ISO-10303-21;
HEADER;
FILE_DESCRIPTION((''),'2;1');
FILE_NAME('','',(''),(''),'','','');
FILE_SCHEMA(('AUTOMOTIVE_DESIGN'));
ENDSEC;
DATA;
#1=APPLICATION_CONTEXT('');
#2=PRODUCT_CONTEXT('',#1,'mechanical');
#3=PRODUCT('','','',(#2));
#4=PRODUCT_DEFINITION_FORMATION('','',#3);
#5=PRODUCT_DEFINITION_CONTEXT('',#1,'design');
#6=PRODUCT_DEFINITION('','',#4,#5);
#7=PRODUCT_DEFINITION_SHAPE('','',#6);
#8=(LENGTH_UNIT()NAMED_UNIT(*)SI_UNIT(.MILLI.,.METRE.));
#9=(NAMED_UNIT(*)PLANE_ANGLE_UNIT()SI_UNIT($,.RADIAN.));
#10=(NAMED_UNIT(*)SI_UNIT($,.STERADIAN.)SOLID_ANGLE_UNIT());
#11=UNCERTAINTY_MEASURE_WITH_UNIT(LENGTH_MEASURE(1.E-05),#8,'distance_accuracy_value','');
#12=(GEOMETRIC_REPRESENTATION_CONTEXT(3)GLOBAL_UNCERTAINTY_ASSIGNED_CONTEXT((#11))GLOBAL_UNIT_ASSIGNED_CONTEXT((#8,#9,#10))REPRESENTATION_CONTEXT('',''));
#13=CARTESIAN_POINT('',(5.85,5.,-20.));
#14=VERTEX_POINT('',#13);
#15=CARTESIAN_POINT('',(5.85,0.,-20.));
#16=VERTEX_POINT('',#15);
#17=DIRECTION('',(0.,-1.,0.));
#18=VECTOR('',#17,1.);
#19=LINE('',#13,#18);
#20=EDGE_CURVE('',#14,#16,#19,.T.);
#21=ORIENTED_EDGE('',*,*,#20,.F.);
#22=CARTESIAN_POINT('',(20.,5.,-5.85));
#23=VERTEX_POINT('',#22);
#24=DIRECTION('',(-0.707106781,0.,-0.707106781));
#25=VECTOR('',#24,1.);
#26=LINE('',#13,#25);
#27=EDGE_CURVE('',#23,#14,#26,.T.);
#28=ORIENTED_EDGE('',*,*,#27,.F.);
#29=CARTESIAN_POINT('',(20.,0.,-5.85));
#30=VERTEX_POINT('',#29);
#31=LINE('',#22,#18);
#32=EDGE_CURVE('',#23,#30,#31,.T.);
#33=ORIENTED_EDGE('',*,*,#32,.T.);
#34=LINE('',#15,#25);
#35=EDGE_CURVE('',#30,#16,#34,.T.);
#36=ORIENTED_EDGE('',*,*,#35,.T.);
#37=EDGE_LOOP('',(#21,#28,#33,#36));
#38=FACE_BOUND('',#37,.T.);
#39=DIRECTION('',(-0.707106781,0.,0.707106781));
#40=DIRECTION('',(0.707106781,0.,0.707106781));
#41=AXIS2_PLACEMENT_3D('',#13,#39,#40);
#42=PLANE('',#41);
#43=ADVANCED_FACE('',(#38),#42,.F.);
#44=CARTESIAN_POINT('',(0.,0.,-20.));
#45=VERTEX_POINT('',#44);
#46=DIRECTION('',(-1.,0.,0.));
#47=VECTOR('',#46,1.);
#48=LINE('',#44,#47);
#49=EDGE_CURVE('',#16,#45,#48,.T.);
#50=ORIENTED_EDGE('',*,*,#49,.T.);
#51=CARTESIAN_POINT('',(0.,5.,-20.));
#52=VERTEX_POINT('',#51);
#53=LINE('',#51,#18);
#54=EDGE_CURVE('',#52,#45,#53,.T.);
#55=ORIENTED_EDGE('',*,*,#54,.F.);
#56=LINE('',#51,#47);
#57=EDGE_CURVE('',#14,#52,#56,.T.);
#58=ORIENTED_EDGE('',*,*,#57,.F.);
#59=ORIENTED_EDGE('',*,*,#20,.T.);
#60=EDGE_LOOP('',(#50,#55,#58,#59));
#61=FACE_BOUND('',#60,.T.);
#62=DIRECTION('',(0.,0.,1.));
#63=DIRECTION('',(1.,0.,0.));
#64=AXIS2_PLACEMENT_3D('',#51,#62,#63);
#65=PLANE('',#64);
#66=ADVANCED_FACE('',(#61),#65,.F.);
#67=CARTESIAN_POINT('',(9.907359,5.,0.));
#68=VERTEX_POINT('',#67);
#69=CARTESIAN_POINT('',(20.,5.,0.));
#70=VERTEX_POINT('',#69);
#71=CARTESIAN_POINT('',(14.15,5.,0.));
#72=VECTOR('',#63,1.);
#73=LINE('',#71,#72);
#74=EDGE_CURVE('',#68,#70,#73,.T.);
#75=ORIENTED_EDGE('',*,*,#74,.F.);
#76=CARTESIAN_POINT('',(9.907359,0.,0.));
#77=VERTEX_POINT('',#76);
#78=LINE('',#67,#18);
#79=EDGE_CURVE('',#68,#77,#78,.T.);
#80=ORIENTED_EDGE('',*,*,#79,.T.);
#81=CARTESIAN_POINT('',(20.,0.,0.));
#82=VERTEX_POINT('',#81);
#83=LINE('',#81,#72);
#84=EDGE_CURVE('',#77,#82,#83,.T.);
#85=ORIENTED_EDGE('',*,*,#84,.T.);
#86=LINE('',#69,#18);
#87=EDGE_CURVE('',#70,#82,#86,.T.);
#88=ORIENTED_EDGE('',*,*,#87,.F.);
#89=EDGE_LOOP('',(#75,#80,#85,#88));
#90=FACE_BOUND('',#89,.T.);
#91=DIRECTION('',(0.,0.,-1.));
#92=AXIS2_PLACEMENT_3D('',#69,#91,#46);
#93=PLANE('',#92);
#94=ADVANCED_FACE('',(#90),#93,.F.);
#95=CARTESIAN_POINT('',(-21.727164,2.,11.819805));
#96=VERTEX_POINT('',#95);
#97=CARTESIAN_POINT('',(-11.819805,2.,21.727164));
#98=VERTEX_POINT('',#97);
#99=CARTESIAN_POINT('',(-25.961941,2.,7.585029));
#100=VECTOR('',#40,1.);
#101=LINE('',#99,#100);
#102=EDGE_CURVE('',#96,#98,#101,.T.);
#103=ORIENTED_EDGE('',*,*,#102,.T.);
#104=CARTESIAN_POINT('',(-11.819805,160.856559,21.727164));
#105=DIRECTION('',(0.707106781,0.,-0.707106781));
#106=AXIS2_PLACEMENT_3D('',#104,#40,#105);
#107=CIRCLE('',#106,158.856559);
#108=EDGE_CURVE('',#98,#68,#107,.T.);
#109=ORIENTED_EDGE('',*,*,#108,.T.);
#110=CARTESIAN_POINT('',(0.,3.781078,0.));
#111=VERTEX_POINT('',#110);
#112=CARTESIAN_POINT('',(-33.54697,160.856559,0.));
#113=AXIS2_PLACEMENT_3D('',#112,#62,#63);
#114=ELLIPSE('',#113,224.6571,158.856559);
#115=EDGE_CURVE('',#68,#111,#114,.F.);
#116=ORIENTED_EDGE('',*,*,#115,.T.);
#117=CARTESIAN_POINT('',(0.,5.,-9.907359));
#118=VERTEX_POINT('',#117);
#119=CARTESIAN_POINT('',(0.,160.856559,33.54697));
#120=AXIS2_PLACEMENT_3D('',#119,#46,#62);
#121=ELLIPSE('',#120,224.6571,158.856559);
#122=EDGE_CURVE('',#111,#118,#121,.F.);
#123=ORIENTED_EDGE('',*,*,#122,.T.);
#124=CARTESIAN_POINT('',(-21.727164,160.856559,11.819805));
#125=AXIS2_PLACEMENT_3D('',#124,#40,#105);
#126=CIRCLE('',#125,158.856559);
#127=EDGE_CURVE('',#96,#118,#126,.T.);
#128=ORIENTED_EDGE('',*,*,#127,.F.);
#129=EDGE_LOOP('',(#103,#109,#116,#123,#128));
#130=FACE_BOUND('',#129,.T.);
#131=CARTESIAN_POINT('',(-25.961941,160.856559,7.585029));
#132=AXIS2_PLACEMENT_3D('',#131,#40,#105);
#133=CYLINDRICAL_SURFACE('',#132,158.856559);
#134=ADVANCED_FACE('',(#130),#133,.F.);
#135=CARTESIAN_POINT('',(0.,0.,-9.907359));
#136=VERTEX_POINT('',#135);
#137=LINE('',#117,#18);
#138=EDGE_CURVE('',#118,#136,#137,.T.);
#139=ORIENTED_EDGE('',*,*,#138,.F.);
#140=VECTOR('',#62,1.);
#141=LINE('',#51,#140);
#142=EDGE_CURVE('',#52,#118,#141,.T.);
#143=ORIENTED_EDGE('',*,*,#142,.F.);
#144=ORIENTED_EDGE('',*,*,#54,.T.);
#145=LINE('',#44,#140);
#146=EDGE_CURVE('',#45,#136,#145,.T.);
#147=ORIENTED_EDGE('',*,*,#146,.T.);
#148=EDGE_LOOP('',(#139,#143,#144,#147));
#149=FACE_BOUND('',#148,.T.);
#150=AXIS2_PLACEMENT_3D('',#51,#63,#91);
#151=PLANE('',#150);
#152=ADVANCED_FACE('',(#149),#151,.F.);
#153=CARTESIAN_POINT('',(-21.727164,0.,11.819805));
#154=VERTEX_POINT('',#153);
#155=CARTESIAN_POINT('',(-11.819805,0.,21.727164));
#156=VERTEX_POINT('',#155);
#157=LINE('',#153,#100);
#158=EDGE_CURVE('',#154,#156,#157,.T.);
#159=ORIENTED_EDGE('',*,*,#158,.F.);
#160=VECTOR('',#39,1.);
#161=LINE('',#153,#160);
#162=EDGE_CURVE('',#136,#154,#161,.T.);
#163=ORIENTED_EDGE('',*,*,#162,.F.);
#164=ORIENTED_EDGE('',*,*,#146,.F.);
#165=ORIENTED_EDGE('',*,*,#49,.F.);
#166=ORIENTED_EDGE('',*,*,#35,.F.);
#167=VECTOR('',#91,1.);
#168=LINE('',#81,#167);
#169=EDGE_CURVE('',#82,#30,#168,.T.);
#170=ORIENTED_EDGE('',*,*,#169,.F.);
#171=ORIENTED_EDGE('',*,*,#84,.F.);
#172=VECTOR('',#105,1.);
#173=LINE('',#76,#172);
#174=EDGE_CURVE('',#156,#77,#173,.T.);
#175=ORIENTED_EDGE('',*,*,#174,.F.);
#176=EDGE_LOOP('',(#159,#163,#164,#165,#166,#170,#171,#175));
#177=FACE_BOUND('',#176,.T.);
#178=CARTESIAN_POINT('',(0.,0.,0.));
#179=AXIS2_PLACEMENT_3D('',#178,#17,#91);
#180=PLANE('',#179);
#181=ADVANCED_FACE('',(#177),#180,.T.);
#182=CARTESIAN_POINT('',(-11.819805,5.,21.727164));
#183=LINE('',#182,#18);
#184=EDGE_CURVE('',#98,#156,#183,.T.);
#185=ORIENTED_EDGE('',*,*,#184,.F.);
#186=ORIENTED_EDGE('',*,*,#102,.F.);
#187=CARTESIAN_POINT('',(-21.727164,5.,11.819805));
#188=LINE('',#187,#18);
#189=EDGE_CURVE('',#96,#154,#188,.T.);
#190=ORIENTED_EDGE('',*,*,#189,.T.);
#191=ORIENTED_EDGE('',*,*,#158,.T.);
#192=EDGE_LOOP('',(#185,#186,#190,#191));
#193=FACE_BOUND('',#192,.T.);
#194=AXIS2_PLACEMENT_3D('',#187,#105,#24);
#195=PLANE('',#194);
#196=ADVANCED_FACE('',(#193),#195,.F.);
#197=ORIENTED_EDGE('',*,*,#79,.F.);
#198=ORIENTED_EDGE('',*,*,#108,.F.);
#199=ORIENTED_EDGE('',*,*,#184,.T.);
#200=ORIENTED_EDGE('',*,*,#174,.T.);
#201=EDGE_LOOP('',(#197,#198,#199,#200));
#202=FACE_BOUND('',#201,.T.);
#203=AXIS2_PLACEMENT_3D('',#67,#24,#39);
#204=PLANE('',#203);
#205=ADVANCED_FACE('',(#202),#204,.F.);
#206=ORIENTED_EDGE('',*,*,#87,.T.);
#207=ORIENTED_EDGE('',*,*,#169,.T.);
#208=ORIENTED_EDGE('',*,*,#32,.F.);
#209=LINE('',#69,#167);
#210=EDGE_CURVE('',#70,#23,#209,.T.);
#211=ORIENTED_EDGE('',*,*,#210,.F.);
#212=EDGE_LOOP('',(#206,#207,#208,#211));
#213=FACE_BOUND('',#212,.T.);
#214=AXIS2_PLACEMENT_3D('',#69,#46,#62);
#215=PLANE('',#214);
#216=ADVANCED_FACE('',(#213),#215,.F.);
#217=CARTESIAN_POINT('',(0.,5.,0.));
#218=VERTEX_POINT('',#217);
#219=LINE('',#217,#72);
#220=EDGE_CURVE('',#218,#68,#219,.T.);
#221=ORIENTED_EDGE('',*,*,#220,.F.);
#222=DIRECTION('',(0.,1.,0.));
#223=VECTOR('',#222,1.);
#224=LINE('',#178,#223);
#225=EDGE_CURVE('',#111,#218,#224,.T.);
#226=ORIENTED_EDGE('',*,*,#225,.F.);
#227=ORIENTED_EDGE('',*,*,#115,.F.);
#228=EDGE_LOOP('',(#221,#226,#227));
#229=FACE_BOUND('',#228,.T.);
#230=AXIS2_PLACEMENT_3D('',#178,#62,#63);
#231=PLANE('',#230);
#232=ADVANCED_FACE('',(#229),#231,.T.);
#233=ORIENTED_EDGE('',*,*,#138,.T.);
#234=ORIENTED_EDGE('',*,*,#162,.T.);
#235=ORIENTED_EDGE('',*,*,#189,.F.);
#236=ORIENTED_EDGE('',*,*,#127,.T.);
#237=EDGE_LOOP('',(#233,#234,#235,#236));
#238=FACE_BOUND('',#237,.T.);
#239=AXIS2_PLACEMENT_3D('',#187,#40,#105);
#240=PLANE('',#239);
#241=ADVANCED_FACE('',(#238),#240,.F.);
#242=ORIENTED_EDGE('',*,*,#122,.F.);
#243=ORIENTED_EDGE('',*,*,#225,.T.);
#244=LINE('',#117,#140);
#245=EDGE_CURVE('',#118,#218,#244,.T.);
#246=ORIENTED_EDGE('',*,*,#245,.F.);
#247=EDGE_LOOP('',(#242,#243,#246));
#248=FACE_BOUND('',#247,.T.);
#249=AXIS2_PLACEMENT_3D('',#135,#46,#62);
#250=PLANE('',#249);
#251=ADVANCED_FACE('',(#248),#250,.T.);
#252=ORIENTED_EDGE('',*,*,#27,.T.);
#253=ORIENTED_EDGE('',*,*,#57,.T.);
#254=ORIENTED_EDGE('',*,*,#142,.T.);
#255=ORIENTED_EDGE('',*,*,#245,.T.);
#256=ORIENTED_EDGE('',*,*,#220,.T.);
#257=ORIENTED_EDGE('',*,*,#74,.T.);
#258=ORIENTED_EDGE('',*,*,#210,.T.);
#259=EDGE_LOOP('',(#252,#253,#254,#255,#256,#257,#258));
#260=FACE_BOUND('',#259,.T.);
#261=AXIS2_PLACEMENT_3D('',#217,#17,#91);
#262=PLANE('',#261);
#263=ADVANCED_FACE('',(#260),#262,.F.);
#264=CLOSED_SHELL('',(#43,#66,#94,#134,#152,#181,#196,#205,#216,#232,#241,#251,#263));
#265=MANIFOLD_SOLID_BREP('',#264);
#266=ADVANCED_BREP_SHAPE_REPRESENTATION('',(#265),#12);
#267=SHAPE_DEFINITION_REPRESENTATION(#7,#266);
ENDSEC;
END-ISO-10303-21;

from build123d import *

# Parameters (mm, degrees)
EXTRUDE_1_DEPTH     = 5
CUT_EXTRUDE_1_DEPTH = 20
EXTRUDE_2_DEPTH     = 5


with BuildPart() as part:
    # 草图1 → 凸台-拉伸1 (new body)
    with BuildSketch(Plane(origin=(0, 0, 0), x_dir=(1, 0, 0), z_dir=(0, 1, 0))):
        Polygon((0, 20), (5.85, 20), (20, 5.85), (20, 0), (14.15, 0), (9.907359313, 0), (-11.819805153, -21.727164466), (-21.727164466, -11.819805153), (0, 9.907359313), align=None)
    extrude(amount=EXTRUDE_1_DEPTH)

    # 草图2 → 切除-拉伸1 (cut)
    with BuildSketch(Plane(origin=(4.953679656, 0, 4.953679656), x_dir=(0.7071067811865477, 0, -0.7071067811865475), z_dir=(0.7071067811865475, 0, 0.7071067811865477))):
        with BuildLine():
            Line((-23.721289706, 2), (-23.721289706, 5))
            Line((-23.721289706, 5), (7.005560954, 5))
            ThreePointArc((7.005560954, 5), (-8.284812198, 2.751778874), (-23.721289706, 2))
        make_face()
    extrude(amount=-CUT_EXTRUDE_1_DEPTH, mode=Mode.SUBTRACT)

    # 草图3 → 凸台-拉伸2 (add)
    with BuildSketch(Plane(origin=(0, 5, 0), x_dir=(1, 0, 0), z_dir=(0, 1, 0))):
        Polygon((0, 9.907359313), (0, 0), (9.907359313, 0), align=None)
    extrude(amount=-EXTRUDE_2_DEPTH)


solid = part.part
